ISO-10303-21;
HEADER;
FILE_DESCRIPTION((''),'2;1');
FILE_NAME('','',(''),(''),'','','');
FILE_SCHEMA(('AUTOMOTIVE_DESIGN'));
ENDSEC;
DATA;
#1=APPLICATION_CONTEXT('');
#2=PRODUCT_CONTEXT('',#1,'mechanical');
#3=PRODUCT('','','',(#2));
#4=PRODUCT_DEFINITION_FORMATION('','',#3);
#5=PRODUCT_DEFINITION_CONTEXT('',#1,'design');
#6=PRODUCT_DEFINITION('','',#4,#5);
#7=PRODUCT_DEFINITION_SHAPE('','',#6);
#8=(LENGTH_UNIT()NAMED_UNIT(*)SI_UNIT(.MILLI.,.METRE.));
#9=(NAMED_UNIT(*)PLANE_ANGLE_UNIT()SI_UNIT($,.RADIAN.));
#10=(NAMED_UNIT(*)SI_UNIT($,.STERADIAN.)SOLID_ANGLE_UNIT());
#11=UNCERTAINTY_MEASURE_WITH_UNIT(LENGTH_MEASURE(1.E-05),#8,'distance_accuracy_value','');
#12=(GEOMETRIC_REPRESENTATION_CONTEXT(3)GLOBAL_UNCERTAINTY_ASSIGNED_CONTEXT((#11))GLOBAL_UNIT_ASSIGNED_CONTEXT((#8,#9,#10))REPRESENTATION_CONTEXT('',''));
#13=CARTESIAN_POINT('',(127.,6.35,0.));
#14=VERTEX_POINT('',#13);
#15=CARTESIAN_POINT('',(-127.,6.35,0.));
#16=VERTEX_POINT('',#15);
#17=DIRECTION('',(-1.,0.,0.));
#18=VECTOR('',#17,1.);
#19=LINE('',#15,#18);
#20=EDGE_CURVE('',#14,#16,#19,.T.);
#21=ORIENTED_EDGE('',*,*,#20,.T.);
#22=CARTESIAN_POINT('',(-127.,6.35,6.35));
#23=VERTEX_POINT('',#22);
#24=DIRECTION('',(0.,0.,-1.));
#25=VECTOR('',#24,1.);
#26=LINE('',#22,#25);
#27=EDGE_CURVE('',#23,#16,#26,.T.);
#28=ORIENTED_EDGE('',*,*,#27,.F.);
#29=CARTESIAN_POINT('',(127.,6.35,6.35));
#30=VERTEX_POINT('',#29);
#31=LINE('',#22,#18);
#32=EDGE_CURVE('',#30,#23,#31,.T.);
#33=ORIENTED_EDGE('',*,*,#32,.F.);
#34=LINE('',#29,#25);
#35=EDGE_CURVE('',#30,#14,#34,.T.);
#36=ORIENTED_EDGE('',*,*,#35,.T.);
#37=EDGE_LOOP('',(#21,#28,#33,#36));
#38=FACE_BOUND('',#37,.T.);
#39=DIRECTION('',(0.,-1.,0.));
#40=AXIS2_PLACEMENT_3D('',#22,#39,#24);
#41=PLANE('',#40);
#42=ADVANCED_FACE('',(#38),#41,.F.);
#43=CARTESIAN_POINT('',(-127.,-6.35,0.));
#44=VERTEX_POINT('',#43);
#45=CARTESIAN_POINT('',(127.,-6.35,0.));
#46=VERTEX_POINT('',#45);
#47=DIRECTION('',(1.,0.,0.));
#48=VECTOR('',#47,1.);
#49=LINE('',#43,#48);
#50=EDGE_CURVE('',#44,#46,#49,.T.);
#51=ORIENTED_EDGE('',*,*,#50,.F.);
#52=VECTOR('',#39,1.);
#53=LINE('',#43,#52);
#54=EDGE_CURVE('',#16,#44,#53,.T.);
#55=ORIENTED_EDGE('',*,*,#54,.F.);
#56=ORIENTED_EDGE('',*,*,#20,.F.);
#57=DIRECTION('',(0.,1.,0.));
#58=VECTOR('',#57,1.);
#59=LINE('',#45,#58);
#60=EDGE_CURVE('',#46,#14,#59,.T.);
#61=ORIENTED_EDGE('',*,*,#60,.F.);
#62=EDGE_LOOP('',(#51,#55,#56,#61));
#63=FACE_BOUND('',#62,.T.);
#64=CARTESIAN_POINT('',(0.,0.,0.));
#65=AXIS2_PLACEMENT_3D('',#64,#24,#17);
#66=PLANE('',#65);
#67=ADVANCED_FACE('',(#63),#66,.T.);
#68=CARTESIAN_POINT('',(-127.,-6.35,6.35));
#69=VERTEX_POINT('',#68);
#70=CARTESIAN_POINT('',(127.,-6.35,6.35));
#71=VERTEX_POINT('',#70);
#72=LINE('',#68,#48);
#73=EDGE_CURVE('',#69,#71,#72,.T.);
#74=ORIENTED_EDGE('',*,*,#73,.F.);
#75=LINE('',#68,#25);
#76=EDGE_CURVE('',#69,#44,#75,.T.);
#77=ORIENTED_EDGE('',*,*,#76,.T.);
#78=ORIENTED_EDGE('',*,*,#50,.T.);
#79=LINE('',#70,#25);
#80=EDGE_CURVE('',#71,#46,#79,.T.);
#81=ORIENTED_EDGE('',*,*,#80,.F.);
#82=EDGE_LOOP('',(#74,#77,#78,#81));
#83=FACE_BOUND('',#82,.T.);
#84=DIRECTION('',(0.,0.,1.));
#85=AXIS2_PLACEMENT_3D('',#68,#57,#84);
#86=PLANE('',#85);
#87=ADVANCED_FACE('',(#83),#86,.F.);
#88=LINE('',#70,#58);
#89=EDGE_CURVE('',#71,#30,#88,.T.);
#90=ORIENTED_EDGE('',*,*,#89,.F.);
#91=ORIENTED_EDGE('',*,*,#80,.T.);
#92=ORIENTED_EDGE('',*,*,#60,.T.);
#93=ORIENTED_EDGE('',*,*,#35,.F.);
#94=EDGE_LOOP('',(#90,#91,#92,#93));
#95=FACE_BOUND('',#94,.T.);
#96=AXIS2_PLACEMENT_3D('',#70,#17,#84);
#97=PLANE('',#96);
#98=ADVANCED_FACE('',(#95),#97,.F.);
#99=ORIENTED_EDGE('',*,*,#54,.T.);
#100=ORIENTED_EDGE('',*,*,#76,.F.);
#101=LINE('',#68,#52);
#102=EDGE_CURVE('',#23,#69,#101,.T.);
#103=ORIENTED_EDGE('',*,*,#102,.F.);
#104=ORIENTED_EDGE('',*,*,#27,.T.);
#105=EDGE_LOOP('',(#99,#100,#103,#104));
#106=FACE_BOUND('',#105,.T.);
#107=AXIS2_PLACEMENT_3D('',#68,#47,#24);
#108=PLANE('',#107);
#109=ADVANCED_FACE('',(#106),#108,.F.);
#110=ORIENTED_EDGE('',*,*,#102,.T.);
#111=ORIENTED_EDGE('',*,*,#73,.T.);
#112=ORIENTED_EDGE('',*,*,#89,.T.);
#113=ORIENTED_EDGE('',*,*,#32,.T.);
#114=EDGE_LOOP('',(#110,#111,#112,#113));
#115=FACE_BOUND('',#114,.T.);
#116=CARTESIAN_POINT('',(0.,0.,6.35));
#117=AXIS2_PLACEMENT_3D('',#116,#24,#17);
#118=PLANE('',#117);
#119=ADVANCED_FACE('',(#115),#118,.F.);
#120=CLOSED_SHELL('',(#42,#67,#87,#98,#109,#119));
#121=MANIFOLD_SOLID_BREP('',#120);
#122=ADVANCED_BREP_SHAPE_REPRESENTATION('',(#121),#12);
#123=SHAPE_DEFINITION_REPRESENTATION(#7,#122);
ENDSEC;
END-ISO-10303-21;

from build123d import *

# Parameters (mm, degrees)
SKETCH1_W           = 254
SKETCH1_H           = 12.7
BOSS_EXTRUDE1_DEPTH = 6.35


with BuildPart() as part:
    # Sketch1 → Boss-Extrude1 (new body)
    with BuildSketch(Plane.XY):
        Rectangle(SKETCH1_W, SKETCH1_H)
    extrude(amount=BOSS_EXTRUDE1_DEPTH)


solid = part.part
